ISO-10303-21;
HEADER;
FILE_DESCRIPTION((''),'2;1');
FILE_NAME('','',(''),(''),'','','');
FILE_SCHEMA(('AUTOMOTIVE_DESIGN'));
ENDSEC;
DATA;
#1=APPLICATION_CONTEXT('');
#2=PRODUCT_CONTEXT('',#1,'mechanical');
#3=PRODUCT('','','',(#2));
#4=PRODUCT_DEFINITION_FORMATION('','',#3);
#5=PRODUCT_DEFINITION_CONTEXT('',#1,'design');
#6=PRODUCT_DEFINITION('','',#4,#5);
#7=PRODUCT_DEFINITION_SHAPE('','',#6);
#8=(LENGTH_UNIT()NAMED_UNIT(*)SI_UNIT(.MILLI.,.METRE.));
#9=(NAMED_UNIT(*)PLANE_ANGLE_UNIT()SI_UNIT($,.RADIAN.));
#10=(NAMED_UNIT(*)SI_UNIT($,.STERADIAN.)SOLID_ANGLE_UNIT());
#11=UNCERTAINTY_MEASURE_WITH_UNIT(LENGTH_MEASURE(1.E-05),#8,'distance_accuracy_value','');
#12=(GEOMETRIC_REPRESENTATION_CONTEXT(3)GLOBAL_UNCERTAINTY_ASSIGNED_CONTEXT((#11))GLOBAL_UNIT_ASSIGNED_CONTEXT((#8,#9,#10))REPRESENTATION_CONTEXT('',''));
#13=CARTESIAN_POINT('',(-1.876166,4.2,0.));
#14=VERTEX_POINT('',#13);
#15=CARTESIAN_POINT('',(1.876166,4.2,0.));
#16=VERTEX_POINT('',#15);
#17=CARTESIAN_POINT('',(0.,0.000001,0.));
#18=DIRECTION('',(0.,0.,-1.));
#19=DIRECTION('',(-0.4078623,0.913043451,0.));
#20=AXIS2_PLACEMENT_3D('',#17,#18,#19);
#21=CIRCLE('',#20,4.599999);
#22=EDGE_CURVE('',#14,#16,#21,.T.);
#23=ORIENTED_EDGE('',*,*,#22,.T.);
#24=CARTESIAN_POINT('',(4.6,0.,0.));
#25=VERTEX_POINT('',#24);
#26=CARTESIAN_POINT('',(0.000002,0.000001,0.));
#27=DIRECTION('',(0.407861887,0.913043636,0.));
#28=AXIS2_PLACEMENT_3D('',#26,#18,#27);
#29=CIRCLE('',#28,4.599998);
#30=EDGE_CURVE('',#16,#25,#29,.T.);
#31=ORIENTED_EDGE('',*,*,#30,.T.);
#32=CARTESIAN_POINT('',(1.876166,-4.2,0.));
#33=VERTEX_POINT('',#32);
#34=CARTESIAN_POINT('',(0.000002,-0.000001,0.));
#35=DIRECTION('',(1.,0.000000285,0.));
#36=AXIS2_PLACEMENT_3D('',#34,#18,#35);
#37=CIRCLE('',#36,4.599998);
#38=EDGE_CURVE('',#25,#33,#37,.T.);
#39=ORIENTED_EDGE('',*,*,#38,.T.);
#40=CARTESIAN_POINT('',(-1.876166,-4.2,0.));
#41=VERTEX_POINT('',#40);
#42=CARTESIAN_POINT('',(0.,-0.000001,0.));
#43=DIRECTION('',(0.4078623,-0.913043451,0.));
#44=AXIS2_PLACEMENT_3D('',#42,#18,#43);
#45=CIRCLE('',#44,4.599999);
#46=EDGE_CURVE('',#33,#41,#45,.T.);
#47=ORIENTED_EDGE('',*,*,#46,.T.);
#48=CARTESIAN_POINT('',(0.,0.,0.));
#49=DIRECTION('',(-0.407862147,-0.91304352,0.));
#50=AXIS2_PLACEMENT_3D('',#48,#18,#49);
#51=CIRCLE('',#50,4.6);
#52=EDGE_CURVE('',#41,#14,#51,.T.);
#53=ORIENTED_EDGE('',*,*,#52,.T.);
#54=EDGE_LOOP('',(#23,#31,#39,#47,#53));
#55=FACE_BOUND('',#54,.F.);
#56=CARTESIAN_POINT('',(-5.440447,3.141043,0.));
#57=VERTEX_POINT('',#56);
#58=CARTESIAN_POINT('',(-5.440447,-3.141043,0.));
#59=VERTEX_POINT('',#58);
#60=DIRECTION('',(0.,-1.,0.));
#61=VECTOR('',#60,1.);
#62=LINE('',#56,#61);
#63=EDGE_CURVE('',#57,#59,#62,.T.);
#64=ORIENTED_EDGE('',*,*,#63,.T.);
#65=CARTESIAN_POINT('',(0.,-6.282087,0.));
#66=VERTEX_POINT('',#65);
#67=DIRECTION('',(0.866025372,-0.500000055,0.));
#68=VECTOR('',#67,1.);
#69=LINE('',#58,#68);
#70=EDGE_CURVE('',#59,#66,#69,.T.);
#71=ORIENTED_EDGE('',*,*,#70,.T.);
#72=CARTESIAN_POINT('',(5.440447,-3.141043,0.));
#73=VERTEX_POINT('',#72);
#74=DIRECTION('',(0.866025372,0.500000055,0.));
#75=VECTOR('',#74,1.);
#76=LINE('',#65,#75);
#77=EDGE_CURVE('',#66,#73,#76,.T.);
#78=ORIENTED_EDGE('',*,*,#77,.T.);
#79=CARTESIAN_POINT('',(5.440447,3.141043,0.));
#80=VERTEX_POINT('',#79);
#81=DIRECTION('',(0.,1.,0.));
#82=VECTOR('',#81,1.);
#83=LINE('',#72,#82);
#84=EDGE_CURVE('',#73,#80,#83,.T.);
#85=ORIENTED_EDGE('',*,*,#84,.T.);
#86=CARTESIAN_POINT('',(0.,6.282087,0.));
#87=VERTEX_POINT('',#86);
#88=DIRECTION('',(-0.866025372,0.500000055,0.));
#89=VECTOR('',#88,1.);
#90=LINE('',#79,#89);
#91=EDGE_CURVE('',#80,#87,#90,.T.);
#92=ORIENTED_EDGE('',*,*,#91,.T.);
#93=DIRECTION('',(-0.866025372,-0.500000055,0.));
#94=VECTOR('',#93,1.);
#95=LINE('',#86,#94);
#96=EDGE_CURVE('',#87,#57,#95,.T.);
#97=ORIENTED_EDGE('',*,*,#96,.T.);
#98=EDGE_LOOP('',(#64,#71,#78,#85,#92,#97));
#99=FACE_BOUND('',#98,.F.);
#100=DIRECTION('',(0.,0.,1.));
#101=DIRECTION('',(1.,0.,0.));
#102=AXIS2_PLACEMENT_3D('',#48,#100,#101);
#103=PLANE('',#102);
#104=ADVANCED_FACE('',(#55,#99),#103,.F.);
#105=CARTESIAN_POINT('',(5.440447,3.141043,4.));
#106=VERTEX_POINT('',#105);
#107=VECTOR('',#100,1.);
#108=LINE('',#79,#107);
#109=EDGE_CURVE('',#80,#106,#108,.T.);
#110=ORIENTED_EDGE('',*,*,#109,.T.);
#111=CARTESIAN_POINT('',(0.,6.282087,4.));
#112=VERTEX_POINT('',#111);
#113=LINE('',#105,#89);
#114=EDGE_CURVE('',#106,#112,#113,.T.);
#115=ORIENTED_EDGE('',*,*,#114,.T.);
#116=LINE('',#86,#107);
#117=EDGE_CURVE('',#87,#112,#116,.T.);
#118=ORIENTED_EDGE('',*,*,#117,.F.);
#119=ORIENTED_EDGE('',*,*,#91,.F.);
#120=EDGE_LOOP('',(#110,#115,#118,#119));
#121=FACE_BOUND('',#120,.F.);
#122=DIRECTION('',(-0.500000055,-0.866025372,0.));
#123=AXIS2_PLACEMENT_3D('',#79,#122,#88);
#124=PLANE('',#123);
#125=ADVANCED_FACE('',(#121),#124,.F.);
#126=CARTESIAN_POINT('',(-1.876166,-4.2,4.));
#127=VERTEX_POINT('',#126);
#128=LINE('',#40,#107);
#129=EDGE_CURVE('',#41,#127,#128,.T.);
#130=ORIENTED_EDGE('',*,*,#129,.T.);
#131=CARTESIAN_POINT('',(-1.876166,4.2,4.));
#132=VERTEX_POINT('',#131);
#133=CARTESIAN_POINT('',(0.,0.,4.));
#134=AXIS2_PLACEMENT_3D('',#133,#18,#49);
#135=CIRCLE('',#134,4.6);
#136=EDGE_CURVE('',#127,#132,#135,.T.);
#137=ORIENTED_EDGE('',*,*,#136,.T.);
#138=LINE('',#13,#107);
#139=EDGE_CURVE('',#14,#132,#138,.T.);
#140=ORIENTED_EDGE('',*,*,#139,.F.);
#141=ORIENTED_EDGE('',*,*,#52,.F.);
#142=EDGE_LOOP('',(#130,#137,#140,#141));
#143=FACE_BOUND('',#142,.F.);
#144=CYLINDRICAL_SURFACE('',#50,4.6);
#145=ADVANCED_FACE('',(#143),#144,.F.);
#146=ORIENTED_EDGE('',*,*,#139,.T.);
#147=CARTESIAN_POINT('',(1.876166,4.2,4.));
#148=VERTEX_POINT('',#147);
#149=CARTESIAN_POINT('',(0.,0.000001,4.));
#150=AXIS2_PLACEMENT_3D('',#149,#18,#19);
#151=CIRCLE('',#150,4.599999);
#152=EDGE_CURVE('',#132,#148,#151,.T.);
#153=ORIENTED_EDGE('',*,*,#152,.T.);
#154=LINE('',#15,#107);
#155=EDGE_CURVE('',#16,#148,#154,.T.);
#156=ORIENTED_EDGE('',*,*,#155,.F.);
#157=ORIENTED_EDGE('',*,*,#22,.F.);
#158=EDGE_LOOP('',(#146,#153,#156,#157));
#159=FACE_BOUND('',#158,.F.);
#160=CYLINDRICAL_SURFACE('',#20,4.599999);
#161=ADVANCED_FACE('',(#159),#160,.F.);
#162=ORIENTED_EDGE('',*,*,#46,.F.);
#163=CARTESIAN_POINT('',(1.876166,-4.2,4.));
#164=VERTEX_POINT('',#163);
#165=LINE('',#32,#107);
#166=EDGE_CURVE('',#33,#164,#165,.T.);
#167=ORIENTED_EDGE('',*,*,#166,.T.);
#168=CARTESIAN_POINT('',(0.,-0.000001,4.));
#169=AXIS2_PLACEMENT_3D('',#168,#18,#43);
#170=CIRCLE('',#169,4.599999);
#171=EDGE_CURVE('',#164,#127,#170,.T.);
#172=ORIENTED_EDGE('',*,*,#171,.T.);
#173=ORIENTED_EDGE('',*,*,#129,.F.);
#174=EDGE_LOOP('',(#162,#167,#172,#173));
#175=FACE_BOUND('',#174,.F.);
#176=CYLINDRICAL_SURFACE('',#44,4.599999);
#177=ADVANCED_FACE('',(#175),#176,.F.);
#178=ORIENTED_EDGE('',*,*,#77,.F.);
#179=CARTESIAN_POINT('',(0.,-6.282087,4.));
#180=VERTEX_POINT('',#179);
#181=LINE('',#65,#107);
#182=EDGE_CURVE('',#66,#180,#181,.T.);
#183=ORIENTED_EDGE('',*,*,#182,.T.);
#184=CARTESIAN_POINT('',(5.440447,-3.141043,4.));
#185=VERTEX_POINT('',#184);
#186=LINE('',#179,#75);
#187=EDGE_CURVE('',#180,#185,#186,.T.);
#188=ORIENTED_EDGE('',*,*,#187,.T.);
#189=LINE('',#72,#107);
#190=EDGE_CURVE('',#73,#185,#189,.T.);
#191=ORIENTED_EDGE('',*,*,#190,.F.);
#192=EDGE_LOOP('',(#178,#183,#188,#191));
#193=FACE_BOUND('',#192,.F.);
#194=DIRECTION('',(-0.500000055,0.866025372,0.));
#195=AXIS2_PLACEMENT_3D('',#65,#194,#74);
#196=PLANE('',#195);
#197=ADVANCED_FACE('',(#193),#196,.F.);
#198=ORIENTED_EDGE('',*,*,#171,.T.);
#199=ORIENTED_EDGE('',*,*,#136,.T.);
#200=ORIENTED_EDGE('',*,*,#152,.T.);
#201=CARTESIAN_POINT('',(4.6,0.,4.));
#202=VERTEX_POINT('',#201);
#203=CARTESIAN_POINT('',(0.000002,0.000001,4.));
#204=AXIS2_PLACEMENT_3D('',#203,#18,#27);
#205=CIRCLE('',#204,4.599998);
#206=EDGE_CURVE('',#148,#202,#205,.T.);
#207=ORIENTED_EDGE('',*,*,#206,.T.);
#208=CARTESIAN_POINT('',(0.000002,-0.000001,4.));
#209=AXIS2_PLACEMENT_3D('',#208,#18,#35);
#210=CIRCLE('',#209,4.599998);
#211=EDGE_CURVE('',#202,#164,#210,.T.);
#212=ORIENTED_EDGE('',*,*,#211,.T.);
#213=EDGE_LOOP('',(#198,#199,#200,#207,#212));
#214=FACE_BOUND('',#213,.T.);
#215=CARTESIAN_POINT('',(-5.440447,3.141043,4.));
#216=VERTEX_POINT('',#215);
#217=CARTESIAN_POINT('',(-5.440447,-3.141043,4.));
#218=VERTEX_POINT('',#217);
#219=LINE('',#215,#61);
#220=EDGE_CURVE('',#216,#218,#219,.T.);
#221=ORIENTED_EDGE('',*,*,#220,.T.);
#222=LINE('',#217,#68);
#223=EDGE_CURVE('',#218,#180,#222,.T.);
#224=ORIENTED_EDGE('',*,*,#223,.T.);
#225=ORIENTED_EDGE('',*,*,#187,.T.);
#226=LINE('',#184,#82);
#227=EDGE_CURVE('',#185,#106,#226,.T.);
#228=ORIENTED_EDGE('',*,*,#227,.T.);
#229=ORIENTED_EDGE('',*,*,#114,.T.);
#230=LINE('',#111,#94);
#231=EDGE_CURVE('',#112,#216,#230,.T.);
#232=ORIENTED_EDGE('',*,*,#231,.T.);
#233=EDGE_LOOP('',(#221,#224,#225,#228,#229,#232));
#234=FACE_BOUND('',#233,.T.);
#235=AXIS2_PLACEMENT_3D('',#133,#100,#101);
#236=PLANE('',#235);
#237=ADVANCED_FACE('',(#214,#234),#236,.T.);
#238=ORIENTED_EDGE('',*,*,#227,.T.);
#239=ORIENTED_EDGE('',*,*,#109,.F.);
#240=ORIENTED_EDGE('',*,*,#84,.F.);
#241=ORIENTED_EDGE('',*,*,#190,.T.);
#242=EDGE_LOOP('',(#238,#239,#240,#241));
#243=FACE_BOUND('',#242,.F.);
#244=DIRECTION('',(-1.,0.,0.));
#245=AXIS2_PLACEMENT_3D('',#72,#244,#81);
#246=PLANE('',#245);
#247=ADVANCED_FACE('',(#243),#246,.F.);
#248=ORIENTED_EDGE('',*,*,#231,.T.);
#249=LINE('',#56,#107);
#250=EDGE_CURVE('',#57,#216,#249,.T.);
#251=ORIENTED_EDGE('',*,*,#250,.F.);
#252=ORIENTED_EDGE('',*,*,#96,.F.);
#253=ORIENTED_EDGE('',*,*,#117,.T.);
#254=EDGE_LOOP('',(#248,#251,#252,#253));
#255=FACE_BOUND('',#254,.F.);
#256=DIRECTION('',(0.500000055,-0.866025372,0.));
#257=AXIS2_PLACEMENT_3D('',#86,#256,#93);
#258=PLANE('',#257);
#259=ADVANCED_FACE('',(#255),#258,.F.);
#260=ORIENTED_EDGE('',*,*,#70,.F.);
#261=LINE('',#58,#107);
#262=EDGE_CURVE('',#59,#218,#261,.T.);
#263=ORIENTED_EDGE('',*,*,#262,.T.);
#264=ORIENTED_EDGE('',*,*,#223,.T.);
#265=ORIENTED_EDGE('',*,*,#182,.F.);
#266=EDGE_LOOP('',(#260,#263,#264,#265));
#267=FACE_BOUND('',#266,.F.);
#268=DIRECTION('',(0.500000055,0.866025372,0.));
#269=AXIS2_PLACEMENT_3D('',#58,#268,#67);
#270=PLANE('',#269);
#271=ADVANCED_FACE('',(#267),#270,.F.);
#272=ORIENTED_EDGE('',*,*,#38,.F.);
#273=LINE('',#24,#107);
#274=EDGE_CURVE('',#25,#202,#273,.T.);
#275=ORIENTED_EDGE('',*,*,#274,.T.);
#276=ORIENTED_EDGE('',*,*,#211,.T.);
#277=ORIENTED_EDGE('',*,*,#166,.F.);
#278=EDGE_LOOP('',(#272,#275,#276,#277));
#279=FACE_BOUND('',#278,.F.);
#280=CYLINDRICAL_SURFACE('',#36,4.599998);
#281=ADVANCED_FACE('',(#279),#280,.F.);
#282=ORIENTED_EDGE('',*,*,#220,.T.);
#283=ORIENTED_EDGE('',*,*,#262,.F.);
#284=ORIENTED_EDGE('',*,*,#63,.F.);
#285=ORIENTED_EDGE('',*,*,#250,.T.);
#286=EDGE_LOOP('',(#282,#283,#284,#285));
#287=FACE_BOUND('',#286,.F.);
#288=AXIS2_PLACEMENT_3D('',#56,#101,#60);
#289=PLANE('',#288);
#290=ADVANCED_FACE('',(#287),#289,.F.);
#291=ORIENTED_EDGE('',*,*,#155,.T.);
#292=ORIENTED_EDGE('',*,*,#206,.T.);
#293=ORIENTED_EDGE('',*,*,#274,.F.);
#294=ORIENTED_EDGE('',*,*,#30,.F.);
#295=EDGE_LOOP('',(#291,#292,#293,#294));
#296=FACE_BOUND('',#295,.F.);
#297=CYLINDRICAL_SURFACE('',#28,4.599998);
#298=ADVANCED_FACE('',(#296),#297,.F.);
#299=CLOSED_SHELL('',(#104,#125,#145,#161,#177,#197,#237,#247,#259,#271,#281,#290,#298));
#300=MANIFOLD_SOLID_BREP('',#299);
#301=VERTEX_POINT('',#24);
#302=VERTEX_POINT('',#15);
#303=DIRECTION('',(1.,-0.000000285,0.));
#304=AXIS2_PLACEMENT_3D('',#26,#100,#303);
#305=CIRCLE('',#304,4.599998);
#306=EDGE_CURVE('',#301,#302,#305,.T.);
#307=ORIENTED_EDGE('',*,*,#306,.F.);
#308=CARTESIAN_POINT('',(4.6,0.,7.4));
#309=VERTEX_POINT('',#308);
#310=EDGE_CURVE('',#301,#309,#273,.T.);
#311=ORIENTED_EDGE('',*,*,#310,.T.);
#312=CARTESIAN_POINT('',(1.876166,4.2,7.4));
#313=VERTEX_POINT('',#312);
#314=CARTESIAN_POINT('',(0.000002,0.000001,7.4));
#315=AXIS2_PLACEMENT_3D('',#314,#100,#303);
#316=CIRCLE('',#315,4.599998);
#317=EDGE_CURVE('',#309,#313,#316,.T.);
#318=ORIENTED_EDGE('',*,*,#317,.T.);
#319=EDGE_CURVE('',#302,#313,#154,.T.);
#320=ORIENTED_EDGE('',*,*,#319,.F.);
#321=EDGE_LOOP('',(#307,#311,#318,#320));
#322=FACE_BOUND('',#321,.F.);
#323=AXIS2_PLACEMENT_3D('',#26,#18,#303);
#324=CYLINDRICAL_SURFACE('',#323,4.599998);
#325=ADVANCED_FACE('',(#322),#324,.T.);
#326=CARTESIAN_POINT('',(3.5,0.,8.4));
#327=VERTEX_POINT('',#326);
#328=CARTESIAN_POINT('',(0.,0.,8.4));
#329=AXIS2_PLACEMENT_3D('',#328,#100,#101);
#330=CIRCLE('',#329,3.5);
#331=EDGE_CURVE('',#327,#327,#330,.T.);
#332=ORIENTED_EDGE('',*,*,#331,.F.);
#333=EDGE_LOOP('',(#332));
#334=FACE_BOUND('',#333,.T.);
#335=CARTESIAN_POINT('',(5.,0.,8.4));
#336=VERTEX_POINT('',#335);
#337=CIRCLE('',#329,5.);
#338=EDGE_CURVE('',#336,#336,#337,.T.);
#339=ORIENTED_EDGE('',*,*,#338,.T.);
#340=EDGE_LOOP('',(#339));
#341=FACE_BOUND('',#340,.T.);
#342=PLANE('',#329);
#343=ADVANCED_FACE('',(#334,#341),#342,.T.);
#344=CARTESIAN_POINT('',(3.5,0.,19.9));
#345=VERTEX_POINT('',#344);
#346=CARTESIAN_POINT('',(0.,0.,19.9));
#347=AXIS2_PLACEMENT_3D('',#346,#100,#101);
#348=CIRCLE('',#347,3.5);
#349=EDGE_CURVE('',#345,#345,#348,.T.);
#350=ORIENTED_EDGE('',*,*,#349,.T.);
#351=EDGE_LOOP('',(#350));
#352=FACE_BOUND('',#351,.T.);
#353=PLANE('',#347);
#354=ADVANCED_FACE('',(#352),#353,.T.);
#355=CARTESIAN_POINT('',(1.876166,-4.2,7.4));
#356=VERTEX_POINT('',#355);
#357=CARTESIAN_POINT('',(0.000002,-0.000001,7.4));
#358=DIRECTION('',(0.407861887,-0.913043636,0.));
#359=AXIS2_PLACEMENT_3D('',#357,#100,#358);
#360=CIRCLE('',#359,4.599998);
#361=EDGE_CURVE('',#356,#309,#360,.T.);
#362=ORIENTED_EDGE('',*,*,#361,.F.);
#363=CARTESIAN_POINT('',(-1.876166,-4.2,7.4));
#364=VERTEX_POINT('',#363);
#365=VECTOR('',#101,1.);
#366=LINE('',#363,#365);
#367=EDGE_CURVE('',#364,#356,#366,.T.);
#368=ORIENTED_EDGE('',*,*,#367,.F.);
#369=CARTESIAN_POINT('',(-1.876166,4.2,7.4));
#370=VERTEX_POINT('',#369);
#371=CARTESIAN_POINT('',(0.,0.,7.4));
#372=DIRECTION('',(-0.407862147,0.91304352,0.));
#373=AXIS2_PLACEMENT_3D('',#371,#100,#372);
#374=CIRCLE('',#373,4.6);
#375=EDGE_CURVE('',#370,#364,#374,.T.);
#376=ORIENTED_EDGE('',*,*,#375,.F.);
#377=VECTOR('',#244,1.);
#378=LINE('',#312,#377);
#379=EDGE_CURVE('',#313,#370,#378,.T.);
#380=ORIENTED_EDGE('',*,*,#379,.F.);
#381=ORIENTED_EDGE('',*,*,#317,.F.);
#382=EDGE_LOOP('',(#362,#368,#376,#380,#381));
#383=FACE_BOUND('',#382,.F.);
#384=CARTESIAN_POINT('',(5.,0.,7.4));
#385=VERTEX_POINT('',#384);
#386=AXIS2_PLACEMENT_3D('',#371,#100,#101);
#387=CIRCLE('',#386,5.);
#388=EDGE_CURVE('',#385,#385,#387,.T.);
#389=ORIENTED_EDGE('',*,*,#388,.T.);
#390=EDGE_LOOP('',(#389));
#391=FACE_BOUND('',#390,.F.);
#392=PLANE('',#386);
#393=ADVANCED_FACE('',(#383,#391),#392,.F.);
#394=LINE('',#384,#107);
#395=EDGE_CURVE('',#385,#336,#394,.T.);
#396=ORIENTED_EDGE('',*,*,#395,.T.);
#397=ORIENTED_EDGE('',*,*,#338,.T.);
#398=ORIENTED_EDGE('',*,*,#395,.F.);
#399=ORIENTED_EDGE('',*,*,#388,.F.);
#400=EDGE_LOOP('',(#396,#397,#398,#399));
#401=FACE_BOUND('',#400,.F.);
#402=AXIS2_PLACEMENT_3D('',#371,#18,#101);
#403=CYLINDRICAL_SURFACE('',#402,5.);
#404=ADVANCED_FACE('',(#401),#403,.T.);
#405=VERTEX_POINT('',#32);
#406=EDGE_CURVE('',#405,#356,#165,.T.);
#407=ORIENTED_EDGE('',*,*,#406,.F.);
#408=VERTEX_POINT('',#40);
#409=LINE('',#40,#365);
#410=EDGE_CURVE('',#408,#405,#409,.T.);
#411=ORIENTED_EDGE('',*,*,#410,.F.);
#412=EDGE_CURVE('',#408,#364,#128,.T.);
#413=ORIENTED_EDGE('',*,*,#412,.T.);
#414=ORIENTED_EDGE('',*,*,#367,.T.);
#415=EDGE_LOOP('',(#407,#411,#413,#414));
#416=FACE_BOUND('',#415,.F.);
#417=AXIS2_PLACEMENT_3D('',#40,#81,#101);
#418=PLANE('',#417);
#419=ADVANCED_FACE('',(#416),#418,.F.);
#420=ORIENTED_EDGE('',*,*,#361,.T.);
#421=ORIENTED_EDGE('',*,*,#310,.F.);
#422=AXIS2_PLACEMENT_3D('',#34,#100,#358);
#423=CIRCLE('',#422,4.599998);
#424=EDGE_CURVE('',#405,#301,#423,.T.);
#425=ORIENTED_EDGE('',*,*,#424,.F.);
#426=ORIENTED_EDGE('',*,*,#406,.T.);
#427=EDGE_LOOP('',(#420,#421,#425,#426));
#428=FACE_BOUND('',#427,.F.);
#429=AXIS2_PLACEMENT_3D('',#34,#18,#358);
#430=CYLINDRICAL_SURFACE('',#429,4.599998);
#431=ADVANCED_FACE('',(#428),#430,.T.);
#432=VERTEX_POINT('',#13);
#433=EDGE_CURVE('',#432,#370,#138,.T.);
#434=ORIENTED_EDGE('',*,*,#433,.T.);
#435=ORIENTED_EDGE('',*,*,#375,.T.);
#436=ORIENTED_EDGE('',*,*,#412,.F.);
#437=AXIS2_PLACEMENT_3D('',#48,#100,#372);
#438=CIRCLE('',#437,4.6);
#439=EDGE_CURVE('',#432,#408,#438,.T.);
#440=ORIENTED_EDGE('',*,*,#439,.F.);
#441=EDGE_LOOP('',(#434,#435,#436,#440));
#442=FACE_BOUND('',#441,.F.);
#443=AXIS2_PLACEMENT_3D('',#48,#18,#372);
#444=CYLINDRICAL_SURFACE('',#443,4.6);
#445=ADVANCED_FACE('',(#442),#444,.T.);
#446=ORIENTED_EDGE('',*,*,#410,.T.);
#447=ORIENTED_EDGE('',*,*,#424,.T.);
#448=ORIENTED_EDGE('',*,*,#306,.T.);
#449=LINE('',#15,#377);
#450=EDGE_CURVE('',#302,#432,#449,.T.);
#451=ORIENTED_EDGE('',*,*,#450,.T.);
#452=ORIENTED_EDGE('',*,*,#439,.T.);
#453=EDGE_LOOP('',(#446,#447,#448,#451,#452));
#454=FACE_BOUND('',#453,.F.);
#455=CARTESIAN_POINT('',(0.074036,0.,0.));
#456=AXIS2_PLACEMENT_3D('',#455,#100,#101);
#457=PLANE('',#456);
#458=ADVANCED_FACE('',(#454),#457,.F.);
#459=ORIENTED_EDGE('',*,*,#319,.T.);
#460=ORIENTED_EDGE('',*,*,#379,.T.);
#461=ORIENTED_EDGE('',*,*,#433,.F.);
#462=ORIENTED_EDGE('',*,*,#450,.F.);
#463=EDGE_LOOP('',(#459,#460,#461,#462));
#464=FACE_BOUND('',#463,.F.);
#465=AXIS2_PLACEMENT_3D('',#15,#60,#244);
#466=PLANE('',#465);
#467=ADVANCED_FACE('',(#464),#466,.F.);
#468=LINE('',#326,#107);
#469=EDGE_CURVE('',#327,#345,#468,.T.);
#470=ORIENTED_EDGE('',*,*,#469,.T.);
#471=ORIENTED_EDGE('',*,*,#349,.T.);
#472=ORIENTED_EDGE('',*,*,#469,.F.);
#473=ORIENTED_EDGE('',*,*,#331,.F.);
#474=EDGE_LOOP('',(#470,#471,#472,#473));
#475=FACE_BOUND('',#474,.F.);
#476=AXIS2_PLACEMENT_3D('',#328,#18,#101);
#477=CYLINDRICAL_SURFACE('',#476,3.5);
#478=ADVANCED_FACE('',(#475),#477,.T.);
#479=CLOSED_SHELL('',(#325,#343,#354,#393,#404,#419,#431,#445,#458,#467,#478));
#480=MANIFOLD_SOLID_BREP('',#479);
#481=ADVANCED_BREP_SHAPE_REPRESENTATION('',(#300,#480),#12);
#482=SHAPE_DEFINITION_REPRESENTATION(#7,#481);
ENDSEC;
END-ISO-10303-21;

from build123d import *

# Parameters (mm, degrees)
F1_DEPTH = 7.4
F2_R     = 5
F3_DEPTH = 1
F4_R     = 3.5
F5_DEPTH = 11.5
F7_DEPTH = 4


with BuildPart() as f1:
    # F0 (on Top) → F1 (new body)
    with BuildSketch(Plane.XY):
        with BuildLine():
            ThreePointArc((1.876166, -4.2), (3.859428, -2.502962), (4.6, 0))
            ThreePointArc((4.6, 0), (3.859428, 2.502962), (1.876166, 4.2))
            Line((1.876166, 4.2), (-1.876166, 4.2))
            ThreePointArc((-1.876166, 4.2), (-4.6, 0), (-1.876166, -4.2))
            Line((-1.876166, -4.2), (1.876166, -4.2))
        make_face()
    extrude(amount=F1_DEPTH)

    # F2 (on face) → F3 (join)
    with BuildSketch(Plane.XY.offset(7.4)):
        Circle(F2_R)
        with BuildLine():
            ThreePointArc((-1.876166, -4.2), (-4.6, 0), (-1.876166, 4.2))
            Line((-1.876166, 4.2), (1.876166, 4.2))
            ThreePointArc((1.876166, 4.2), (4.6, 0), (1.876166, -4.2))
            Line((1.876166, -4.2), (-1.876166, -4.2))
        make_face(mode=Mode.SUBTRACT)
        with BuildLine():
            Line((1.876166, 4.2), (-1.876166, 4.2))
            ThreePointArc((-1.876166, 4.2), (-4.6, 0), (-1.876166, -4.2))
            Line((-1.876166, -4.2), (1.876166, -4.2))
            ThreePointArc((1.876166, -4.2), (4.6, 0), (1.876166, 4.2))
        make_face()
    extrude(amount=F3_DEPTH)

    # F4 (on face) → F5 (join)
    with BuildSketch(Plane.XY.offset(8.4)):
        Circle(F4_R)
    extrude(amount=F5_DEPTH)


with BuildPart() as f7:
    # F6 (on face) → F7 (new body)
    with BuildSketch(Plane.XY):
        Polygon((-5.440447, 3.141043), (-5.440447, -3.141043), (0, -6.282087), (5.440447, -3.141043), (5.440447, 3.141043), (0, 6.282087), align=None)
        with BuildLine():
            ThreePointArc((1.876166, 4.2), (3.859428, 2.502962), (4.6, 0))
            ThreePointArc((4.6, 0), (3.859428, -2.502962), (1.876166, -4.2))
            ThreePointArc((1.876166, -4.2), (0, -4.6), (-1.876166, -4.2))
            ThreePointArc((-1.876166, -4.2), (-4.6, 0), (-1.876166, 4.2))
            ThreePointArc((-1.876166, 4.2), (0, 4.6), (1.876166, 4.2))
        make_face(mode=Mode.SUBTRACT)
    extrude(amount=F7_DEPTH)


solid = Compound([f1.part, f7.part])
